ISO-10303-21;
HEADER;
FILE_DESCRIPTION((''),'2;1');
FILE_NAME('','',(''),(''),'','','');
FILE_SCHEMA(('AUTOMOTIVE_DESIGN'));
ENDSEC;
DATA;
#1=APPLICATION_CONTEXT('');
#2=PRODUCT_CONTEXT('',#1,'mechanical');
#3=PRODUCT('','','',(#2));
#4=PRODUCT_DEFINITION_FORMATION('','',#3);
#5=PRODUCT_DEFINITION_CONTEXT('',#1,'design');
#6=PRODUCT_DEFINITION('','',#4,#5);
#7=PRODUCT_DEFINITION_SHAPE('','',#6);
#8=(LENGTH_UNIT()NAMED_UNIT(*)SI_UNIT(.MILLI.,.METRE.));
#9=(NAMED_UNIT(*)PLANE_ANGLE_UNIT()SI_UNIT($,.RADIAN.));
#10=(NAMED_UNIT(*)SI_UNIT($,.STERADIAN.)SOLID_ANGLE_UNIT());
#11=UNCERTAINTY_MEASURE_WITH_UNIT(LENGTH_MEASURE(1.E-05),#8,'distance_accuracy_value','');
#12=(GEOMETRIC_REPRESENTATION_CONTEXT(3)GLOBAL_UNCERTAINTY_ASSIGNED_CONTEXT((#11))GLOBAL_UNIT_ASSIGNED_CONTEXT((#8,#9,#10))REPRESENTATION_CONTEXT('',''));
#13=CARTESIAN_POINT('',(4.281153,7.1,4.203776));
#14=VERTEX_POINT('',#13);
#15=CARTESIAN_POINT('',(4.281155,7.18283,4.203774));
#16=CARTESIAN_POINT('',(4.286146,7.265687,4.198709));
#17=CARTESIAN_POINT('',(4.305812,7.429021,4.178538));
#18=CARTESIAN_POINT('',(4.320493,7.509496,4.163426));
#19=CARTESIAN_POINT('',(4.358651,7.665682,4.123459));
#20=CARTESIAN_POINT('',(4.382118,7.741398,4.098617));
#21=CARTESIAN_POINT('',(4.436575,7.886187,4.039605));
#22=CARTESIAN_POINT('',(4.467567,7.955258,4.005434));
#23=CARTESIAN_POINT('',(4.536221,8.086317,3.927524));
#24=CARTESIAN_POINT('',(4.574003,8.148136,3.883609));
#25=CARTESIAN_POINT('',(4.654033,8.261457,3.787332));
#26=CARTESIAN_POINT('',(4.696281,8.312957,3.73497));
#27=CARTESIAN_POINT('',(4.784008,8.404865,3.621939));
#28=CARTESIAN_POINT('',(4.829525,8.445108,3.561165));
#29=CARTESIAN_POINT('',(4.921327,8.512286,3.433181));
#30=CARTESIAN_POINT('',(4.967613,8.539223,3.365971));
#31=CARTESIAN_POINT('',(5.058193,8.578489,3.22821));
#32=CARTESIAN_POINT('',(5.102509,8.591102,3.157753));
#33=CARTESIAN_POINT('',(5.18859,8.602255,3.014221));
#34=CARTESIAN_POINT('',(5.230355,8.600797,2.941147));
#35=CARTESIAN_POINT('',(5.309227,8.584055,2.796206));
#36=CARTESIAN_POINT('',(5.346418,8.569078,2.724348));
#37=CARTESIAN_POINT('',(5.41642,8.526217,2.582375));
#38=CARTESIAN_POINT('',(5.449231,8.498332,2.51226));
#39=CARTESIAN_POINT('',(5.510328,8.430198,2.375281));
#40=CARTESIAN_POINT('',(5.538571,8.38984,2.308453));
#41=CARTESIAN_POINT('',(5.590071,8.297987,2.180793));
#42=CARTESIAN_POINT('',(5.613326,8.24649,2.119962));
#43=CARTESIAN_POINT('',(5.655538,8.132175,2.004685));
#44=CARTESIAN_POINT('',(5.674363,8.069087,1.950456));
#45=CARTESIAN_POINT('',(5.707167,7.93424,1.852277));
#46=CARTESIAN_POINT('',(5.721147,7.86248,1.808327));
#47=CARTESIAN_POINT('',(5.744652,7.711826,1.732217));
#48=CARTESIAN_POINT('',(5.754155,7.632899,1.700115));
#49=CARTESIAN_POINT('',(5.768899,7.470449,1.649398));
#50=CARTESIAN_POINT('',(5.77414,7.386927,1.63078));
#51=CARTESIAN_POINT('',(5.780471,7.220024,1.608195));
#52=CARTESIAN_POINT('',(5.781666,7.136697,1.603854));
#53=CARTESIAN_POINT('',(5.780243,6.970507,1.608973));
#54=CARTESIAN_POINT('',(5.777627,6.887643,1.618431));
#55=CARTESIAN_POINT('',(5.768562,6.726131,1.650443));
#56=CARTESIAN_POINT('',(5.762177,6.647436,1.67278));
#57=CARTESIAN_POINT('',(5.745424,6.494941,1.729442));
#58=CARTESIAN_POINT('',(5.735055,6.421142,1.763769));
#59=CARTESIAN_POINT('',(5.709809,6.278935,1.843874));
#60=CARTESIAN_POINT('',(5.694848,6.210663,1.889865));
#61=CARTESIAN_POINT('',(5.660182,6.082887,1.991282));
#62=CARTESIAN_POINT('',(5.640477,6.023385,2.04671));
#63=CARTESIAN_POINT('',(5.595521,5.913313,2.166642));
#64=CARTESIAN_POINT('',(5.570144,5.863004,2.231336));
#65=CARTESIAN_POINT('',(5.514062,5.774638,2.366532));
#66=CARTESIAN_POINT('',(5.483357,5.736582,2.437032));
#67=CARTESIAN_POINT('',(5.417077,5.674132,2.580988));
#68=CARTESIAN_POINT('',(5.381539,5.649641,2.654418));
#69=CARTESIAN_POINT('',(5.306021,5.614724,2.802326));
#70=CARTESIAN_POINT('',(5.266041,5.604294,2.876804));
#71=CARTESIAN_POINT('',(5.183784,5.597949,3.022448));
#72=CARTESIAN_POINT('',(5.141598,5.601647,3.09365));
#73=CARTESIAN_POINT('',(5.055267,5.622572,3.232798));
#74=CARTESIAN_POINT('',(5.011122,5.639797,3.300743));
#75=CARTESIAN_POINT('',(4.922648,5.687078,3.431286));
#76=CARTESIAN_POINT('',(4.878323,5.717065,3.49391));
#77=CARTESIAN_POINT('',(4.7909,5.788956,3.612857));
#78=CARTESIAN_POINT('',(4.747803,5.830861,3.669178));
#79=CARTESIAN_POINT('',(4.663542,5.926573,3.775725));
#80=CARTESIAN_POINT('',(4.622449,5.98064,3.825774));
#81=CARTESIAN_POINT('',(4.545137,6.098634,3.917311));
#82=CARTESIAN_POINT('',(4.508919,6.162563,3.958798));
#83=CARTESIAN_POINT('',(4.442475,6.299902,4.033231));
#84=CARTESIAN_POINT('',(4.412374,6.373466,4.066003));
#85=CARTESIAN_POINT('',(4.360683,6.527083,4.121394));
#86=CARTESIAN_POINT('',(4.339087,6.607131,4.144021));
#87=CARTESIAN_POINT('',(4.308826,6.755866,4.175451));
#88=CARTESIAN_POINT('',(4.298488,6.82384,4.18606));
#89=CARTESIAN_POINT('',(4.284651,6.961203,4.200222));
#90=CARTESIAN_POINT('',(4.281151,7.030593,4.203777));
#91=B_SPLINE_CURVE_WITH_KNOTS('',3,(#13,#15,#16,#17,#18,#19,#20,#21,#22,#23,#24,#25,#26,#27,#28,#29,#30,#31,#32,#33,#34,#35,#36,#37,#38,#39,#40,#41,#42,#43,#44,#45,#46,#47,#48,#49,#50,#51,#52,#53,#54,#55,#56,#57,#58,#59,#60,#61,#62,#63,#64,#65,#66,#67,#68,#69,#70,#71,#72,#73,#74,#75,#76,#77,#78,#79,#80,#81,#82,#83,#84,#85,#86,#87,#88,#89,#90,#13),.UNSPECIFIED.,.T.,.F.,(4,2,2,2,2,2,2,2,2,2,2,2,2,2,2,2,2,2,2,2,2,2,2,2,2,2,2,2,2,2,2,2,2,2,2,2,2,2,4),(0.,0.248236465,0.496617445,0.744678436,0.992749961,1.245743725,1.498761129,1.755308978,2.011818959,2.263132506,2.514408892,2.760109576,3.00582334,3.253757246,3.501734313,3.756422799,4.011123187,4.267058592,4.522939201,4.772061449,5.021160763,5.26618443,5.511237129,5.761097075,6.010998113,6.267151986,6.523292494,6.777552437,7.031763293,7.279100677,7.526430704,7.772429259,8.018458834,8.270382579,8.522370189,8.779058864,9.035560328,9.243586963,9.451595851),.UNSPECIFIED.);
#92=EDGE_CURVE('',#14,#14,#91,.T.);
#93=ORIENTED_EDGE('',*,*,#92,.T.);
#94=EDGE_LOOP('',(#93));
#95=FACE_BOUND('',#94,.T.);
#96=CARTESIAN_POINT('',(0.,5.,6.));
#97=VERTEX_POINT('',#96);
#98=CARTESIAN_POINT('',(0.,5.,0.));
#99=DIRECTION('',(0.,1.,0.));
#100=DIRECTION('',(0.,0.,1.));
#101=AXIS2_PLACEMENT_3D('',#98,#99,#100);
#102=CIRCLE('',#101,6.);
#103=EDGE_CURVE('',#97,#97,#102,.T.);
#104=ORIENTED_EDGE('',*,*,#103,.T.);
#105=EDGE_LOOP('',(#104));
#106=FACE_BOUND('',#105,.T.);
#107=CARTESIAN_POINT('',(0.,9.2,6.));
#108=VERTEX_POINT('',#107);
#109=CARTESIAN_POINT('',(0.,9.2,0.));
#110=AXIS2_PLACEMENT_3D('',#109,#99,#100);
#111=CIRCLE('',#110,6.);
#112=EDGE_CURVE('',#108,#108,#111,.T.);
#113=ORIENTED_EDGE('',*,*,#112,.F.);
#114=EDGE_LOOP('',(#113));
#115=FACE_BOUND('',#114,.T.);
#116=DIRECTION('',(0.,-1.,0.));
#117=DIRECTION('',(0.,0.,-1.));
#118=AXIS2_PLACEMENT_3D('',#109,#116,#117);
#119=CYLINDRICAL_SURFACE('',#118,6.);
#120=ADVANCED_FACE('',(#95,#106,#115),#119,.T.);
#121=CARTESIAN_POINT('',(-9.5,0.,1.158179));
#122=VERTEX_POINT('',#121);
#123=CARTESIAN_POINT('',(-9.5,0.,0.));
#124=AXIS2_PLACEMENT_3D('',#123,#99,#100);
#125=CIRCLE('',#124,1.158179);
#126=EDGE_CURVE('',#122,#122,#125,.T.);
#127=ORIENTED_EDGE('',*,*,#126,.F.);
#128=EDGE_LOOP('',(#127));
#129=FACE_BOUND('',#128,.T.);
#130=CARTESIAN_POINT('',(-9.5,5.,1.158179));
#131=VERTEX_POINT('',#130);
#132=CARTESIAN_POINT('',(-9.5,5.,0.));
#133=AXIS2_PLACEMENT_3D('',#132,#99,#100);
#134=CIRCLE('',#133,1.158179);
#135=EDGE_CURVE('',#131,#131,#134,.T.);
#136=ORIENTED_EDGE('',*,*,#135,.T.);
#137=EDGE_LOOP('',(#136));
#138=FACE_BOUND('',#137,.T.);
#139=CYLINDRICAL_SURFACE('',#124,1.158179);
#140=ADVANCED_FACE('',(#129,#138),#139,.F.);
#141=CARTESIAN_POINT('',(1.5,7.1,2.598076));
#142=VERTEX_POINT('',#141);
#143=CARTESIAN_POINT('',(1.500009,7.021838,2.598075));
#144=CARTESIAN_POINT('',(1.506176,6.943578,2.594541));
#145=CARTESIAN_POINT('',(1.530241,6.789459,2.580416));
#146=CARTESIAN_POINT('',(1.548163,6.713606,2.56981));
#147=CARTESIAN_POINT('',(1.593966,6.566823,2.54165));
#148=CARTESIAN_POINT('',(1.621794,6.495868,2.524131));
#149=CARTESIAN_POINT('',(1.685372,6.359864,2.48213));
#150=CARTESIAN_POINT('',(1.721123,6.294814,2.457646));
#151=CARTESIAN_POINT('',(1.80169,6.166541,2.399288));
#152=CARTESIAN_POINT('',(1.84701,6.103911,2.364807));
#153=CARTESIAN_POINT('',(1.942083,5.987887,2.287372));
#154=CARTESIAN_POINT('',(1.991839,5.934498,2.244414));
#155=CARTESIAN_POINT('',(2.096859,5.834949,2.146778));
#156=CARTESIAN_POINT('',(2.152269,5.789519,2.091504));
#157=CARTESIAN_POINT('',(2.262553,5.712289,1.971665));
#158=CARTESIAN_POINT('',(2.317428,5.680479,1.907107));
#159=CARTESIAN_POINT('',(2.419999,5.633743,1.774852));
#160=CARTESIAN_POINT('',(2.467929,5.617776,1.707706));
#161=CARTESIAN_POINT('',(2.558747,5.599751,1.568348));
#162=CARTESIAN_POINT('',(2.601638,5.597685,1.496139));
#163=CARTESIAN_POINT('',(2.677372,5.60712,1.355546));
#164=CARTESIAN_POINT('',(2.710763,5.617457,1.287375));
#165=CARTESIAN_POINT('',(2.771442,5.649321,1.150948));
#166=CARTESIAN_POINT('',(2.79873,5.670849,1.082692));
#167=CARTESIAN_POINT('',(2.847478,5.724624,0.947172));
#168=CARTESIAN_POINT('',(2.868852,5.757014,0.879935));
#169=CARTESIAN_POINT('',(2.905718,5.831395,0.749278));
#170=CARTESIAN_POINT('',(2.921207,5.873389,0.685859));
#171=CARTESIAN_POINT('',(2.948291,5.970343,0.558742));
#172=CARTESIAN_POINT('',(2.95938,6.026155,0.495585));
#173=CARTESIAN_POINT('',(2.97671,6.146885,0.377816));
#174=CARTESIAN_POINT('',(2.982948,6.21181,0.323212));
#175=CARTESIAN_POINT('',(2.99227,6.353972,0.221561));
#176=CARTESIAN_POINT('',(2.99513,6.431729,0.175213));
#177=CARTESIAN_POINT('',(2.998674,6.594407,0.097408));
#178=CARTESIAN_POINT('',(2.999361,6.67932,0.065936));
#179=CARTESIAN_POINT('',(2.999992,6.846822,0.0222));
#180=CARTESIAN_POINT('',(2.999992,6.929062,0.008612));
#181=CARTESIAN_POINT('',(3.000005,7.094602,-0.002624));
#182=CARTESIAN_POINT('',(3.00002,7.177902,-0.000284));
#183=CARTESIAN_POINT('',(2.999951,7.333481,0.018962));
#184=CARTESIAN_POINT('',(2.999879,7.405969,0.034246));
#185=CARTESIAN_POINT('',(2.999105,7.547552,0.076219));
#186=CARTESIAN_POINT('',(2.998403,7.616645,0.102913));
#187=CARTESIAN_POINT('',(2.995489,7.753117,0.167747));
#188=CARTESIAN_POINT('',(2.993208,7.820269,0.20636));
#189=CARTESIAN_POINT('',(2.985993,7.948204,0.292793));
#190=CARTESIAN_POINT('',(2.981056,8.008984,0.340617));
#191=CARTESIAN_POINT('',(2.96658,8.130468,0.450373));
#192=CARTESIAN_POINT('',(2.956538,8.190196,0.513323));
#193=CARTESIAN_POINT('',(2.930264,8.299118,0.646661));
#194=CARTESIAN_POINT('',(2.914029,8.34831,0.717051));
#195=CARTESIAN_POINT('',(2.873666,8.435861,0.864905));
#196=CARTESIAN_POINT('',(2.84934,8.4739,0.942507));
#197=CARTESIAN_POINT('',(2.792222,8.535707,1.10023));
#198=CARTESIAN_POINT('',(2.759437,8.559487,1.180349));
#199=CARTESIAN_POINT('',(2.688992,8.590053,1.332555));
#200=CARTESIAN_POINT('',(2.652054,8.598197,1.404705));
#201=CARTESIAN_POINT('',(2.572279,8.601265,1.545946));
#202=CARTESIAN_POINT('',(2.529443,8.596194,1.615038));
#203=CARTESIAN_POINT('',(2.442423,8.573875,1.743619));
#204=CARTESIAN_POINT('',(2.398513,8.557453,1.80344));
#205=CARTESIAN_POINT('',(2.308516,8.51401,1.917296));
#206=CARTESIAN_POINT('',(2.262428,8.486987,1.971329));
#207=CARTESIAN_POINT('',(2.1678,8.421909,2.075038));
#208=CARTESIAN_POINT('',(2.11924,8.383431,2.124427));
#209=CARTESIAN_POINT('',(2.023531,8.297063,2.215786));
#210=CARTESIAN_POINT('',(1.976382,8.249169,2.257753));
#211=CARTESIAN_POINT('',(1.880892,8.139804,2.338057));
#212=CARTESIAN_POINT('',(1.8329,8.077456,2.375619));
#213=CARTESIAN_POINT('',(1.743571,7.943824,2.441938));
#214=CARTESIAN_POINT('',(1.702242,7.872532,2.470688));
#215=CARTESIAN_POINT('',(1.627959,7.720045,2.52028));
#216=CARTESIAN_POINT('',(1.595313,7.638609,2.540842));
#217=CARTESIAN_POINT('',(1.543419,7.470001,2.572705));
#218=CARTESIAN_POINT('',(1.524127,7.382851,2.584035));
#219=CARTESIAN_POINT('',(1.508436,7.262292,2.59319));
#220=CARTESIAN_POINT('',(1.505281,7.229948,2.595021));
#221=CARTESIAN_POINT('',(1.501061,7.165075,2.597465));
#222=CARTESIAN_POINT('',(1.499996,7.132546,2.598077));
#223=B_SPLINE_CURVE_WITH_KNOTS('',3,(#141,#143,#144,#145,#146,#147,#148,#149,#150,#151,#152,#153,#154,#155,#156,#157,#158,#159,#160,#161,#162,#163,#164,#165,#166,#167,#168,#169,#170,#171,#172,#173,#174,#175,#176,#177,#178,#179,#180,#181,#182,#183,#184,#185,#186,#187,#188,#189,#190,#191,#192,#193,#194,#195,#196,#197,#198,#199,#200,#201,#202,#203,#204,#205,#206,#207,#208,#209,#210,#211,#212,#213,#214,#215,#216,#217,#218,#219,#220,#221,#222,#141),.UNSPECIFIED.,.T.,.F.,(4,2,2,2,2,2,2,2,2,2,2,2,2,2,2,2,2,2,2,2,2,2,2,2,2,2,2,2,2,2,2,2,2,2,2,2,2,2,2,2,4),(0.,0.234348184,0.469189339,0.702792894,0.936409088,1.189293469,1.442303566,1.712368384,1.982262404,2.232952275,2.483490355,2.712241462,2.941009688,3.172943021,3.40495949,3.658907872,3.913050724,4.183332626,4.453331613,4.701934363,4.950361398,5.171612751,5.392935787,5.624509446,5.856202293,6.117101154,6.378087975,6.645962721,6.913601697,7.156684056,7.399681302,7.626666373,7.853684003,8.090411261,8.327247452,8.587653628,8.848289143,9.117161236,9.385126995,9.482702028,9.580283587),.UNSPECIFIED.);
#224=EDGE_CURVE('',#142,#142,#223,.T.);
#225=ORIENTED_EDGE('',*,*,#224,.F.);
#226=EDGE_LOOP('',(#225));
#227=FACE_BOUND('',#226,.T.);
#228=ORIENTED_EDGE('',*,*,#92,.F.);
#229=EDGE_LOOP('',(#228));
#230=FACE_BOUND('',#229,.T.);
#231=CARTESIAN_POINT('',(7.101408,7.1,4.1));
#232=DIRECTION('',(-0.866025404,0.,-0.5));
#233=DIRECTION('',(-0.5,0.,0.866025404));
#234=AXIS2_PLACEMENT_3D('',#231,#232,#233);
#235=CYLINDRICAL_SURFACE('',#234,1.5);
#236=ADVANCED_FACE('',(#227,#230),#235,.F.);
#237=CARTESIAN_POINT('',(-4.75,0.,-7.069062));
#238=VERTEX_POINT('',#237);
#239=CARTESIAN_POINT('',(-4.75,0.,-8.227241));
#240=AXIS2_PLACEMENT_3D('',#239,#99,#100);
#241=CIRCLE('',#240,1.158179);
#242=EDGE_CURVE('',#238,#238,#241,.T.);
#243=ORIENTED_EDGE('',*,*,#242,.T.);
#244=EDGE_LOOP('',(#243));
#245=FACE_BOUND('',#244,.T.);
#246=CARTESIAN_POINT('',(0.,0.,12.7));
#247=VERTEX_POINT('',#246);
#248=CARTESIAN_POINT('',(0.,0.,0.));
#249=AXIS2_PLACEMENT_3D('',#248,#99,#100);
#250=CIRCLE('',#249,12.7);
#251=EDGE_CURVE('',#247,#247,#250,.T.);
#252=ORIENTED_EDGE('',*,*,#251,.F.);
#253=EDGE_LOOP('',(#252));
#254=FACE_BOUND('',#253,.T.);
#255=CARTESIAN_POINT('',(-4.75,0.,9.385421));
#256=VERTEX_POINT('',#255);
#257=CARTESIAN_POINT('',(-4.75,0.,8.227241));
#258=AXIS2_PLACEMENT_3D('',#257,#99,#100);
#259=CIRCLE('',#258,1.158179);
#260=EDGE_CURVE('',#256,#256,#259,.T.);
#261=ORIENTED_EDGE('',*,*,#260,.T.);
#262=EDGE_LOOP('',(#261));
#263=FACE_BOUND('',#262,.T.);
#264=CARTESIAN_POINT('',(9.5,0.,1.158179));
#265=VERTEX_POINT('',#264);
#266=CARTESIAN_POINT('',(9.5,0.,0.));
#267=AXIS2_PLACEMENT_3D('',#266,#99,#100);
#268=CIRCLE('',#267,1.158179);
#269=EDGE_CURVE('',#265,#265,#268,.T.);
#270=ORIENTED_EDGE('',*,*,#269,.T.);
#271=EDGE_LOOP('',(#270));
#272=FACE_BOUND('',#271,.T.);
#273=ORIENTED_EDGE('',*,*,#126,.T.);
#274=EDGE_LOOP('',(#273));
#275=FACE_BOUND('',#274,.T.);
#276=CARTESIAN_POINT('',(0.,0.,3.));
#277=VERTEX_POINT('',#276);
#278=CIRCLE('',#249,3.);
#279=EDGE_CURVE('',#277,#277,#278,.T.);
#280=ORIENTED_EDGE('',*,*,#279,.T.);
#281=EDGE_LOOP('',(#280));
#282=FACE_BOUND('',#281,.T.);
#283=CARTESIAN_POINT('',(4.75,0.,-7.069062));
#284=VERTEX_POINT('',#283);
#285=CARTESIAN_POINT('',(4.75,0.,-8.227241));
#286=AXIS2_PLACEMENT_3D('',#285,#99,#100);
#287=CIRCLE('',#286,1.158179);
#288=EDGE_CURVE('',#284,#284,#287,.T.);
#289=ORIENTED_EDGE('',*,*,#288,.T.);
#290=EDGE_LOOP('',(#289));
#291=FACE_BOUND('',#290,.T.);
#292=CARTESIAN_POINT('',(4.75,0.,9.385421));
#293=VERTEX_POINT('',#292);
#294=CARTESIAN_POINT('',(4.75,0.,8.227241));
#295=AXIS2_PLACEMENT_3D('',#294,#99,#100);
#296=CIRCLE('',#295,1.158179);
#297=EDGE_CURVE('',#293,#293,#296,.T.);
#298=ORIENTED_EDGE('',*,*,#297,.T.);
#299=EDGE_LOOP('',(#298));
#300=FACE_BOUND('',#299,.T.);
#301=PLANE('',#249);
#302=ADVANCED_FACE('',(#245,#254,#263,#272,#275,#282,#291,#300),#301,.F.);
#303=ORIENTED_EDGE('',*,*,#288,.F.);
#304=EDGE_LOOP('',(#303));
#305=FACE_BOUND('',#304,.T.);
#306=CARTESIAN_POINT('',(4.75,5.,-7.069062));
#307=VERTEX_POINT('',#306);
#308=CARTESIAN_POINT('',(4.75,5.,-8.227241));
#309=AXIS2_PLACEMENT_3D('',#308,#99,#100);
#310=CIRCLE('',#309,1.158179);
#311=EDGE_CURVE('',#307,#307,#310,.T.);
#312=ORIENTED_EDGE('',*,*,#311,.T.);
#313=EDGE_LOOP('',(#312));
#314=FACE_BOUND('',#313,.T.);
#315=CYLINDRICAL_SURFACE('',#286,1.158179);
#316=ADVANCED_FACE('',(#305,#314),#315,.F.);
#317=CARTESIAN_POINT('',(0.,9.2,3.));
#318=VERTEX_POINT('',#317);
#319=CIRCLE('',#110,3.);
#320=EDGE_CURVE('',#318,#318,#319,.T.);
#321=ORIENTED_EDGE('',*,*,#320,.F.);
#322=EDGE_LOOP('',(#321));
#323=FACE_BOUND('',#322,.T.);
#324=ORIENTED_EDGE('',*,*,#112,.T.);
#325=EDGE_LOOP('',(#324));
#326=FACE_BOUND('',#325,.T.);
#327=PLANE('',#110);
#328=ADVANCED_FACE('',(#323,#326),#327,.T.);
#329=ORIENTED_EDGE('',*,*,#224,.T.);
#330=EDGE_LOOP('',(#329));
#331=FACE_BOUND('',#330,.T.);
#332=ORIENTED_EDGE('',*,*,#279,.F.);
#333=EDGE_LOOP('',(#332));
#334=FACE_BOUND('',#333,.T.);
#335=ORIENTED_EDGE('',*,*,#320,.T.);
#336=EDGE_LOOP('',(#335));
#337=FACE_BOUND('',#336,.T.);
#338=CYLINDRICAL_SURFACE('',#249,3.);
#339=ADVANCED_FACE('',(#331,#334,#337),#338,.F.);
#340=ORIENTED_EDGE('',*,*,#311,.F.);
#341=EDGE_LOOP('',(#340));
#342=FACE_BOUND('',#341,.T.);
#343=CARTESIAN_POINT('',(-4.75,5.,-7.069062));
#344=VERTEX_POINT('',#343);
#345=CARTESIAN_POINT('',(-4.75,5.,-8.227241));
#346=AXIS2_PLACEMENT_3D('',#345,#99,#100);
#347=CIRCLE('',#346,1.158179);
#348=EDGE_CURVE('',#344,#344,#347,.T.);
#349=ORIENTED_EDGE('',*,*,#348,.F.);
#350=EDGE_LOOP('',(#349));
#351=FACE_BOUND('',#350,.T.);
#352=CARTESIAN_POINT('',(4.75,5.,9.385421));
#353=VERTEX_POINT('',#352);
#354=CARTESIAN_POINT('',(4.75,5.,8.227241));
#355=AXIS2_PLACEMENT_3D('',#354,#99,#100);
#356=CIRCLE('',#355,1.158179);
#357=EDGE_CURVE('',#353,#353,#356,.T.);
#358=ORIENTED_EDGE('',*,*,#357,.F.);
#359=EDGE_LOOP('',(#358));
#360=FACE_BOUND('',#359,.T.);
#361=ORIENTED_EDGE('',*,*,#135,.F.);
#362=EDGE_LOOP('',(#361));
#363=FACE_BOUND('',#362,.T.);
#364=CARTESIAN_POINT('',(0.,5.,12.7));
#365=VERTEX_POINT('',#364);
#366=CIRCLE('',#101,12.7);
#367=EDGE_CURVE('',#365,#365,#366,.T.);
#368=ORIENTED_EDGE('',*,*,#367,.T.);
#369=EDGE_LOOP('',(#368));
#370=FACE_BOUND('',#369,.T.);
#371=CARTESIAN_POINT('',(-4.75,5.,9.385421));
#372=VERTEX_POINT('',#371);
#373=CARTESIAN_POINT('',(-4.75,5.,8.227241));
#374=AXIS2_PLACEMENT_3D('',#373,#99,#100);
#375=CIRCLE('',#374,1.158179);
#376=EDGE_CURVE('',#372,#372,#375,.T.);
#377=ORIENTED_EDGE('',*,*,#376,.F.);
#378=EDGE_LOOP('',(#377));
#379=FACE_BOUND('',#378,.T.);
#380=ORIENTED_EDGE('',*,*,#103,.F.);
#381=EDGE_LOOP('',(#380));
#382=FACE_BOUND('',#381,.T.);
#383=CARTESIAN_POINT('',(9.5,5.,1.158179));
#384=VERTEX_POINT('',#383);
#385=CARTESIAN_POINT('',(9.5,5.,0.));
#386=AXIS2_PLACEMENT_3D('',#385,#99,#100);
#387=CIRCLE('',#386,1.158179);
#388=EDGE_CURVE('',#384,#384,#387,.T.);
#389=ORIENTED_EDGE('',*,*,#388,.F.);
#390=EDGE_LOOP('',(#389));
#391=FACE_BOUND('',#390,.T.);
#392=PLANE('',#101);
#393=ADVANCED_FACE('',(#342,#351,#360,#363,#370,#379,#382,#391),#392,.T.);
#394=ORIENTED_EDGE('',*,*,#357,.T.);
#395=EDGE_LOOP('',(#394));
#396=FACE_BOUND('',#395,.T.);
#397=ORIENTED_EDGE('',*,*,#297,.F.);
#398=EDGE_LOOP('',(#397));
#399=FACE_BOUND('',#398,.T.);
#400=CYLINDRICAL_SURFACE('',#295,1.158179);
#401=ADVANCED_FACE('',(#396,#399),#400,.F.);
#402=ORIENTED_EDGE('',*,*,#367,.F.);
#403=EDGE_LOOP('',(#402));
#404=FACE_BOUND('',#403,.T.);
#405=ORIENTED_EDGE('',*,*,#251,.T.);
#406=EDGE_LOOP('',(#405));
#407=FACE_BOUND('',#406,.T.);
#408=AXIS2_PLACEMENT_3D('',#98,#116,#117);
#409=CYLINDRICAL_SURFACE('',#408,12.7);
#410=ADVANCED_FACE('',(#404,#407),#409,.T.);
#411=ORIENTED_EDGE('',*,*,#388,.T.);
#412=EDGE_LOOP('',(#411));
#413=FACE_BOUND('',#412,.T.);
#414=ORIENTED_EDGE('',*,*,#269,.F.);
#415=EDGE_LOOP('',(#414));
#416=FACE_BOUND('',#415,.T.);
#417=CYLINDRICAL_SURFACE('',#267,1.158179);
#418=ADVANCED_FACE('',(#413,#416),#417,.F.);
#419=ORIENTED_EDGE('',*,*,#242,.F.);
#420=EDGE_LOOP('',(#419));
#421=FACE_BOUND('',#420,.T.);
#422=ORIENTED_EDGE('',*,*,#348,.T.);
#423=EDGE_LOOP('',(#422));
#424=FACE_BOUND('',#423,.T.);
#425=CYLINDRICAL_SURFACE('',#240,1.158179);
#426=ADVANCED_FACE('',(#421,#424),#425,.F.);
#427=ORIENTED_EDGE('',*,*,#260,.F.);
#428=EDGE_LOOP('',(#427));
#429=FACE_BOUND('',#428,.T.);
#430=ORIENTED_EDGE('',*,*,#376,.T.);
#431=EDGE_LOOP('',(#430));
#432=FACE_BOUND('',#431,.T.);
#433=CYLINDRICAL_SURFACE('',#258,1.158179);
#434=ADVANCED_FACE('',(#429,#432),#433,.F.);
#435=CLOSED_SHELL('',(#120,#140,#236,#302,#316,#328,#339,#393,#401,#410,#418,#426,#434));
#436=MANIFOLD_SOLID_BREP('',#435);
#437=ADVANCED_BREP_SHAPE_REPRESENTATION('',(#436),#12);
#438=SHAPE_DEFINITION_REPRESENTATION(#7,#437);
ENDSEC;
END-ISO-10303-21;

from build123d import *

# Parameters (mm, degrees)
SKETCH1_R           = 12.7
BOSS_EXTRUDE1_DEPTH = 5
SKETCH2_R           = 6
BOSS_EXTRUDE2_DEPTH = 4.2
SKETCH3_R           = 3
CUT_EXTRUDE1_DEPTH  = 21.179692763
SKETCH6_R           = 1.158179442
CUT_EXTRUDE2_DEPTH  = 19.643497526
SKETCH7_R           = 1.5
CUT_EXTRUDE3_DEPTH  = 8.2


with BuildPart() as part:
    # Sketch1 → Boss-Extrude1 (new body)
    with BuildSketch(Plane(origin=(0, 0, 0), x_dir=(1, 0, 0), z_dir=(0, 1, 0))):
        with Locations(Location((0, 0, 0), (0, 0, 270))):
            Circle(SKETCH1_R)
    extrude(amount=BOSS_EXTRUDE1_DEPTH)

    # Sketch2 → Boss-Extrude2 (add)
    with BuildSketch(Plane(origin=(0, 5, 0), x_dir=(1, 0, 0), z_dir=(0, 1, 0))):
        with Locations(Location((0, 0, 0), (0, 0, 270))):
            Circle(SKETCH2_R)
    extrude(amount=BOSS_EXTRUDE2_DEPTH)

    # Sketch3 → Cut-Extrude1 (cut, through all)
    with BuildSketch(Plane(origin=(0, 9.2, 0), x_dir=(1, 0, 0), z_dir=(0, 1, 0))):
        with Locations(Location((0, 0, 0), (0, 0, 270))):
            Circle(SKETCH3_R)
    extrude(amount=-CUT_EXTRUDE1_DEPTH, mode=Mode.SUBTRACT)

    # Sketch6 → Cut-Extrude2 (cut, through all)
    with BuildSketch(Plane(origin=(0, 5, 0), x_dir=(1, 0, 0), z_dir=(0, 1, 0))):
        with Locations(Location((-9.5, 0, 0), (0, 0, 270))):
            Circle(SKETCH6_R)
        with Locations(Location((-4.75, 8.227241336, 0), (0, 0, 270))):
            Circle(SKETCH6_R)
        with Locations(Location((4.75, 8.227241336, 0), (0, 0, 270))):
            Circle(SKETCH6_R)
        with Locations(Location((9.5, 0, 0), (0, 0, 270))):
            Circle(SKETCH6_R)
        with Locations(Location((4.75, -8.227241336, 0), (0, 0, 270))):
            Circle(SKETCH6_R)
        with Locations(Location((-4.75, -8.227241336, 0), (0, 0, 270))):
            Circle(SKETCH6_R)
    extrude(amount=-CUT_EXTRUDE2_DEPTH, mode=Mode.SUBTRACT)

    # Sketch7 → Cut-Extrude3 (cut)
    with BuildSketch(Plane(origin=(0, 5, 0), x_dir=(-0.5000000000000102, 0, 0.8660254037844328), z_dir=(-0.8660254037844328, 0, -0.5000000000000102))):
        with Locations((0, 2.1)):
            Circle(SKETCH7_R)
    extrude(amount=-CUT_EXTRUDE3_DEPTH, mode=Mode.SUBTRACT)


solid = part.part
